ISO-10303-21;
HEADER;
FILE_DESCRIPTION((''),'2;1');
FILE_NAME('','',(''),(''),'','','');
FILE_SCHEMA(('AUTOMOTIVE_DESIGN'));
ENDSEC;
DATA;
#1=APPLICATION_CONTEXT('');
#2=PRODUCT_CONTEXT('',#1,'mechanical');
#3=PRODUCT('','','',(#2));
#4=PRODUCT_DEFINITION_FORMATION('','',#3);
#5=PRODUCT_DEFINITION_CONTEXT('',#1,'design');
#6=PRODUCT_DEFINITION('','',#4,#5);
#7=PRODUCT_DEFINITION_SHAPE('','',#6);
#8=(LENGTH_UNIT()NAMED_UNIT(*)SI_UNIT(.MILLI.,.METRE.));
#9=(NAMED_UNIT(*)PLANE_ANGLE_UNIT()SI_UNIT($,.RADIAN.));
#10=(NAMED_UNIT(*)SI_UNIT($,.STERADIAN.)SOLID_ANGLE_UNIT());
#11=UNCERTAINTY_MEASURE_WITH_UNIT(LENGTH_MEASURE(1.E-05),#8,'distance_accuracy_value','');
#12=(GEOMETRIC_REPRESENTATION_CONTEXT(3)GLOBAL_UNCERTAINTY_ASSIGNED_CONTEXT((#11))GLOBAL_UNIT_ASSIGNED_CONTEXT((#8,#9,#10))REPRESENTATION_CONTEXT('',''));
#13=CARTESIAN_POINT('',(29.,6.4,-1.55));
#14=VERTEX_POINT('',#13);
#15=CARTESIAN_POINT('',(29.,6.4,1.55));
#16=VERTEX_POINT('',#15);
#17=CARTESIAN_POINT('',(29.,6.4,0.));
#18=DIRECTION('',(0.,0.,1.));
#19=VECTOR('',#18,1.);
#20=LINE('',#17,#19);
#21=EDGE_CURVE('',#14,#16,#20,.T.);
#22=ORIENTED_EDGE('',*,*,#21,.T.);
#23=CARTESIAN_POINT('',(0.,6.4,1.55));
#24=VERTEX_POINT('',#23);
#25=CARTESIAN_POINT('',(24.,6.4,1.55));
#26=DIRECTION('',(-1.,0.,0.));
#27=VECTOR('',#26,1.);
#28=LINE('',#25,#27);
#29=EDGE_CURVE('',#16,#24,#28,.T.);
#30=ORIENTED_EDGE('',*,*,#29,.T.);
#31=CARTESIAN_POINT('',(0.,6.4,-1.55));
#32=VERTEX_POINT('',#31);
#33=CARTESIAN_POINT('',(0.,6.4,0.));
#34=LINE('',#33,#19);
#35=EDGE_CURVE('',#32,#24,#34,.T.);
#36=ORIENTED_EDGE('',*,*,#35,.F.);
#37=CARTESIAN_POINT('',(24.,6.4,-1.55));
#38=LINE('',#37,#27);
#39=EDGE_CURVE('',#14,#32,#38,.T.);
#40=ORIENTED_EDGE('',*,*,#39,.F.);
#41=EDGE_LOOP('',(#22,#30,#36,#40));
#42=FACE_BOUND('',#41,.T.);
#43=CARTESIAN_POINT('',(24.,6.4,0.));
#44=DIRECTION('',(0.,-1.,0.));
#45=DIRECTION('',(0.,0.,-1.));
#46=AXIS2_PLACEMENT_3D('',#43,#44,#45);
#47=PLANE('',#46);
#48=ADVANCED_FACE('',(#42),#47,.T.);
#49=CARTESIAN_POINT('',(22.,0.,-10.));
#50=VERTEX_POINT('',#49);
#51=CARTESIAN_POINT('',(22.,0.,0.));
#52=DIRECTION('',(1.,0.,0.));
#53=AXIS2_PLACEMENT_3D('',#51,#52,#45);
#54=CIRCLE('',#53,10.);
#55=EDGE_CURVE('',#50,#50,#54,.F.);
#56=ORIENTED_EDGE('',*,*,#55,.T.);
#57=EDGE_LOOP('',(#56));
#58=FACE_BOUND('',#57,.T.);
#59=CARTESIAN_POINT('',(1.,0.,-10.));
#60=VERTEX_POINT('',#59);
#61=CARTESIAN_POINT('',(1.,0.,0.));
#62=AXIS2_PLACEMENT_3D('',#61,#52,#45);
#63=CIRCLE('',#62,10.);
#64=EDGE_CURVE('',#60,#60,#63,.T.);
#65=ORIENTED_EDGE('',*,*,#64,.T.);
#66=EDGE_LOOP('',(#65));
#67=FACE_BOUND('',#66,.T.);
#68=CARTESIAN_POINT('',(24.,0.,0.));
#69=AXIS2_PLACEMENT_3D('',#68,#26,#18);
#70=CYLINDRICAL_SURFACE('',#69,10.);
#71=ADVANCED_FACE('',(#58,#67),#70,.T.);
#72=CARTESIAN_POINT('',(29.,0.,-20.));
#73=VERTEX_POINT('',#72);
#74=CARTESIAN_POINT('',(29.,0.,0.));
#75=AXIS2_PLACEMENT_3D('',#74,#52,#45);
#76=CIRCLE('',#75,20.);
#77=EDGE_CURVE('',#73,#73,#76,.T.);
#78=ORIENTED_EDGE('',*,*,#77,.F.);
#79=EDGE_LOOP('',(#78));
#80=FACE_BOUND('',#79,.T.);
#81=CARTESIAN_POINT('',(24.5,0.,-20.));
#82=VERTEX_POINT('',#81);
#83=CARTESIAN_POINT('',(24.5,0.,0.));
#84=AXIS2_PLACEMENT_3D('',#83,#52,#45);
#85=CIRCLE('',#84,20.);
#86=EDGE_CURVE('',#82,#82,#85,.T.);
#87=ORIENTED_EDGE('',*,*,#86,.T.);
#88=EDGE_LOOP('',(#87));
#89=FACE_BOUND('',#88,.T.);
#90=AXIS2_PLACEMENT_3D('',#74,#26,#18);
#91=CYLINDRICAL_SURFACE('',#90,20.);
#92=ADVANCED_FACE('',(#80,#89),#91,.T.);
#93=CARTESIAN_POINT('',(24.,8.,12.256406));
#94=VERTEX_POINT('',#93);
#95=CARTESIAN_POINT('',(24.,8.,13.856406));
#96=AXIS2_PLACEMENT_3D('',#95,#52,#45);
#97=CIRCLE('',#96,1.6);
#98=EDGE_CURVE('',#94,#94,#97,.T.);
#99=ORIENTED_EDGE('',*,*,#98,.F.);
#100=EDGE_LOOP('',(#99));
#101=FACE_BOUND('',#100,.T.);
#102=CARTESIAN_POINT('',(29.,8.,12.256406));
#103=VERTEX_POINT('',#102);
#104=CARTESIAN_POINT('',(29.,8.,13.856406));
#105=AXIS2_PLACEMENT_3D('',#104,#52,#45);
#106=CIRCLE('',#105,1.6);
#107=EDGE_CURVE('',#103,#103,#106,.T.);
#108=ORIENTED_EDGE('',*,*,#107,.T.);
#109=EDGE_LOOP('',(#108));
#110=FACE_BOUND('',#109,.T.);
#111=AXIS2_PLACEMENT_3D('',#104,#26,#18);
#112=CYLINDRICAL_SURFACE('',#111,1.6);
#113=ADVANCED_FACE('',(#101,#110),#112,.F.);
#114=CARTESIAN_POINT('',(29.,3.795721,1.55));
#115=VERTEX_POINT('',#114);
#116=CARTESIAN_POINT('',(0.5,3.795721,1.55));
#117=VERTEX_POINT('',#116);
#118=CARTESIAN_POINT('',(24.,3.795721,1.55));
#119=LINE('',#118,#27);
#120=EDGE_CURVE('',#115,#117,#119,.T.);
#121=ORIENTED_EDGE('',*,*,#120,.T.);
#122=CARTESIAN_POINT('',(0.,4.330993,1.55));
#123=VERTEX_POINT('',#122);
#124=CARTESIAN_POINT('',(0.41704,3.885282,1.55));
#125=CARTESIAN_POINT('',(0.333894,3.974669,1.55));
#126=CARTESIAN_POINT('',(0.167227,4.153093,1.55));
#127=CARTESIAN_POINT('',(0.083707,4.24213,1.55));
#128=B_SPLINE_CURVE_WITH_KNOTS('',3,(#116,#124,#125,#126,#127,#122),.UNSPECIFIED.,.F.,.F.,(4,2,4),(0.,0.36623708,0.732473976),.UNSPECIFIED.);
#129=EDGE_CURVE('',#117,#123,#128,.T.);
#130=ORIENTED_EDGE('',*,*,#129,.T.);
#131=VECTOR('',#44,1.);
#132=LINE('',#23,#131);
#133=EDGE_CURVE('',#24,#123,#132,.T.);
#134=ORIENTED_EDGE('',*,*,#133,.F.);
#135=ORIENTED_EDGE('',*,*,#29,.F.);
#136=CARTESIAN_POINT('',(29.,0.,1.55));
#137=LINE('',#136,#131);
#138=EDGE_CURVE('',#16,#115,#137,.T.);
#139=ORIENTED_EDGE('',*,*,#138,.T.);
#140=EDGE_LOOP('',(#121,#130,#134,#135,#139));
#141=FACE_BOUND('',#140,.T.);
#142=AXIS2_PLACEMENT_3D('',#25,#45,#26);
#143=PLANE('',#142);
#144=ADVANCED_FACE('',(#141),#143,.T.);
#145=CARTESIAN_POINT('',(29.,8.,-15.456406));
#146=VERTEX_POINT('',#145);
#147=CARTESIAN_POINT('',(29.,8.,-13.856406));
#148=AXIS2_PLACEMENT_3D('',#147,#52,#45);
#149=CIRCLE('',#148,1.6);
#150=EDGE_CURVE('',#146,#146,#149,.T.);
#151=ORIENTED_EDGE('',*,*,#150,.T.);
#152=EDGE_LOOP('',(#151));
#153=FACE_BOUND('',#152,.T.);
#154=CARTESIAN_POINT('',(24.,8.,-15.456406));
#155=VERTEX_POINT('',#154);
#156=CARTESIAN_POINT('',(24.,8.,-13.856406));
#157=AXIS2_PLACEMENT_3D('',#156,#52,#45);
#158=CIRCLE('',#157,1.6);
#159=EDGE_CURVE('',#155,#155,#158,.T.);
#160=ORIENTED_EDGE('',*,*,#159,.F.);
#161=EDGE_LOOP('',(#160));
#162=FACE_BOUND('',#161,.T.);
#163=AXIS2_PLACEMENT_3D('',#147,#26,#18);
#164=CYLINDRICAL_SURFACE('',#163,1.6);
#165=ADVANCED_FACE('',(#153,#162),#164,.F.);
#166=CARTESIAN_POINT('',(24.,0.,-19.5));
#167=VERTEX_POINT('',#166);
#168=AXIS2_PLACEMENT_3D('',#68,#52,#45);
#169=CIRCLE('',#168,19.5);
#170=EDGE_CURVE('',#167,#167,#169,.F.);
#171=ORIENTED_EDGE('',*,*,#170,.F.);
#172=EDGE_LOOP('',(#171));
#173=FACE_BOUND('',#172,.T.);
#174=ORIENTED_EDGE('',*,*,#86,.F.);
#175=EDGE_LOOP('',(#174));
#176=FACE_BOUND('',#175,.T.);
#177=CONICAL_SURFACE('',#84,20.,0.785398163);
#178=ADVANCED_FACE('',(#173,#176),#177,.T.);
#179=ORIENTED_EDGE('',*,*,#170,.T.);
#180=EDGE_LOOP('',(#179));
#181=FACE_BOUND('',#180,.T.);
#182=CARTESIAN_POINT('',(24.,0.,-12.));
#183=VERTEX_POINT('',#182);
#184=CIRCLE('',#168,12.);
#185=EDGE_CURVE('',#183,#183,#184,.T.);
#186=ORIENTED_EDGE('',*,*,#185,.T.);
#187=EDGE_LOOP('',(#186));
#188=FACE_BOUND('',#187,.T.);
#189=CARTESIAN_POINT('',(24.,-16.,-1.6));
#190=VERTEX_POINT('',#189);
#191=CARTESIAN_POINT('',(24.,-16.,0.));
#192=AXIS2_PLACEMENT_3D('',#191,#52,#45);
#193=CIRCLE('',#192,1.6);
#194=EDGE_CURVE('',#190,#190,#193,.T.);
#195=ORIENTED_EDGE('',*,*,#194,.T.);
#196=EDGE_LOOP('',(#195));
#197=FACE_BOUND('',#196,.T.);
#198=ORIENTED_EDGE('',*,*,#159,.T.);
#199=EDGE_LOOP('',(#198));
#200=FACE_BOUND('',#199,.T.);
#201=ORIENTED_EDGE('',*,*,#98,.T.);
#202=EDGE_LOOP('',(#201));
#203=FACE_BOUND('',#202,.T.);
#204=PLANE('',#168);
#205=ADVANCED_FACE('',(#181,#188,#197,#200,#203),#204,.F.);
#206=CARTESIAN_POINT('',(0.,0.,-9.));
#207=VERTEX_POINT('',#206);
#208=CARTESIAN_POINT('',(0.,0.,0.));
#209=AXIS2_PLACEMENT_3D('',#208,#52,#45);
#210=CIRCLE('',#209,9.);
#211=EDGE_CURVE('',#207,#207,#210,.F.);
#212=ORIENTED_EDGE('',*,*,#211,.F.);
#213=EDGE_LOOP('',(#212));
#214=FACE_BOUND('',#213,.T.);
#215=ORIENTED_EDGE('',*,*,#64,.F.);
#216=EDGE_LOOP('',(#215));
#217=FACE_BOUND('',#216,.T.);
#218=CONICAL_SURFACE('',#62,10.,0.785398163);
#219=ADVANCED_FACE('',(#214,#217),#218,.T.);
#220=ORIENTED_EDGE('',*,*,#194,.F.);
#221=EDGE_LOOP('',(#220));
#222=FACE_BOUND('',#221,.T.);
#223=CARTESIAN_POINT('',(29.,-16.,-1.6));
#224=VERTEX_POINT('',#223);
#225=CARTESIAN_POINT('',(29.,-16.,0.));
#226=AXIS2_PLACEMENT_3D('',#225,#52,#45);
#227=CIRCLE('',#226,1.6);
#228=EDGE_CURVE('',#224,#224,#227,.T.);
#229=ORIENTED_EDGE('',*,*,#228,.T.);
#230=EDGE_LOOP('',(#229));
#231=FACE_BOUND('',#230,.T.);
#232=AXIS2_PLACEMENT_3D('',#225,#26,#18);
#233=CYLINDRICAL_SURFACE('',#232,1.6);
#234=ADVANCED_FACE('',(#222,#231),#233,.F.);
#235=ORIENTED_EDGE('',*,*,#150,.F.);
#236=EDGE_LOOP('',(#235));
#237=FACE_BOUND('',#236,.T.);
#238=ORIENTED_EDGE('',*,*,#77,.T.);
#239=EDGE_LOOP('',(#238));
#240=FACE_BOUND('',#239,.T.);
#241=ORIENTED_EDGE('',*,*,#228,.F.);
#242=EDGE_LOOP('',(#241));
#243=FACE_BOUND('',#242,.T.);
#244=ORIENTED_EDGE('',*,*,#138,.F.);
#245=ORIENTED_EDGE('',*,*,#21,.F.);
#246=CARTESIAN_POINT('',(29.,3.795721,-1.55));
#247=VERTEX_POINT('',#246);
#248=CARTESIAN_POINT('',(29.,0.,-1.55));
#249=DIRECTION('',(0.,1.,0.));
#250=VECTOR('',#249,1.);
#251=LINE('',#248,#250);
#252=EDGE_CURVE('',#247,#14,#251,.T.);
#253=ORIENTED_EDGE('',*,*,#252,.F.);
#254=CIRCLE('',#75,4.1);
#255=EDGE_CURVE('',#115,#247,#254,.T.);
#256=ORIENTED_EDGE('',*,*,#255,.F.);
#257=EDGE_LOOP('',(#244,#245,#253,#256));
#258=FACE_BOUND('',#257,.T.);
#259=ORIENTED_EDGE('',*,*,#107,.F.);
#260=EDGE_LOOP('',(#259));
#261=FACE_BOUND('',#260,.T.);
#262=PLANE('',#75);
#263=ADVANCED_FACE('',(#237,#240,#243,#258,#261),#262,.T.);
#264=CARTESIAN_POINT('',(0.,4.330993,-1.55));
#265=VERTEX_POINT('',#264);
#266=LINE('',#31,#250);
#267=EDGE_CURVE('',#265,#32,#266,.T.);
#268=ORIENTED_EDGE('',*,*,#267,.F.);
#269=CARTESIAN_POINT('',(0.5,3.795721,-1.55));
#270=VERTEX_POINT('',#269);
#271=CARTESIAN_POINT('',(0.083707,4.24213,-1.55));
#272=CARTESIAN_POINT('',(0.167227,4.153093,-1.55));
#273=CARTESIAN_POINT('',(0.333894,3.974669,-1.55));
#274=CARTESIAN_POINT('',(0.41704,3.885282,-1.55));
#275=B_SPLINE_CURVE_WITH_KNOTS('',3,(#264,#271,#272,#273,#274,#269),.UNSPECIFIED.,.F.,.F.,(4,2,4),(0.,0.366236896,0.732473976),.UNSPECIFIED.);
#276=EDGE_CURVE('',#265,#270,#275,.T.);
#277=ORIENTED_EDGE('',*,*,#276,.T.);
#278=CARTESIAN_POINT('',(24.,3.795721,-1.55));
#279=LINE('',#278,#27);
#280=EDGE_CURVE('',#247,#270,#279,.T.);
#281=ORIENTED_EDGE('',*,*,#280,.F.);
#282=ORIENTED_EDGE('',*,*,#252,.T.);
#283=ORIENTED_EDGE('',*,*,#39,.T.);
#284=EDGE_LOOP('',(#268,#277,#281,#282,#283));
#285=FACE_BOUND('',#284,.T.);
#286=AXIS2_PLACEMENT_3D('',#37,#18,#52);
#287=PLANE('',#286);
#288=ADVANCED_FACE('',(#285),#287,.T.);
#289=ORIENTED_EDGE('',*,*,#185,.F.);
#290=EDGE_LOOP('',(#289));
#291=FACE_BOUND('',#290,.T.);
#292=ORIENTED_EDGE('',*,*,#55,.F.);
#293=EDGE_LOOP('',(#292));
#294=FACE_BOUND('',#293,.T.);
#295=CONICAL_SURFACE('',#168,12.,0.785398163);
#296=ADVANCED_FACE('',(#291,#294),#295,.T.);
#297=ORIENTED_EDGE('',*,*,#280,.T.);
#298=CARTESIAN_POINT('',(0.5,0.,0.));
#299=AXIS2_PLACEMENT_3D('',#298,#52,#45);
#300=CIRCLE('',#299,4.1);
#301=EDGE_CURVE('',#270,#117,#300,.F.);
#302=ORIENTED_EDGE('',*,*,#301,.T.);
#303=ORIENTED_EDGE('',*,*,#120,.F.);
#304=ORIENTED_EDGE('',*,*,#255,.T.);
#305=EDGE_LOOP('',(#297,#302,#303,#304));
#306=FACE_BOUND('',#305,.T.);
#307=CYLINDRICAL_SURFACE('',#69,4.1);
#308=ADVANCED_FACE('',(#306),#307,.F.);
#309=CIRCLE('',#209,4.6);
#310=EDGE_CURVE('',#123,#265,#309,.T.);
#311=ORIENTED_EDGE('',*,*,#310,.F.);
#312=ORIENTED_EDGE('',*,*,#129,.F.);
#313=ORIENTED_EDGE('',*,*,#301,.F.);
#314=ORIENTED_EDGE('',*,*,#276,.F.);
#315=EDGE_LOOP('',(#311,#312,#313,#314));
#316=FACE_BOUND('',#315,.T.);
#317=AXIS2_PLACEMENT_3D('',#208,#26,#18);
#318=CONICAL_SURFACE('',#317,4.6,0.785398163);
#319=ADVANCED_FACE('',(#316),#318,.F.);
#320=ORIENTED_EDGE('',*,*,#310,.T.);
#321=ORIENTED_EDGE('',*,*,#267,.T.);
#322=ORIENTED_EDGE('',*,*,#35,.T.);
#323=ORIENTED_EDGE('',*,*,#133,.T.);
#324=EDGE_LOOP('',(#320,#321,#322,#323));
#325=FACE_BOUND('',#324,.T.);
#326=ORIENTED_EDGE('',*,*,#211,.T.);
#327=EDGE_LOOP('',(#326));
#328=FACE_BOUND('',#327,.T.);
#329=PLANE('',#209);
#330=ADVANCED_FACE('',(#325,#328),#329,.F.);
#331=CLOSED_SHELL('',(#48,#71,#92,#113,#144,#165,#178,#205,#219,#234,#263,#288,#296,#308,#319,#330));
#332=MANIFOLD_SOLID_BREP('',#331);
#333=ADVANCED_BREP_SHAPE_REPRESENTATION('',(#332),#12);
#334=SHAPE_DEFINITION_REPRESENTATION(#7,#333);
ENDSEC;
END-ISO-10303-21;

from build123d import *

# Parameters (mm, degrees)
SKETCH_1_R          = 10
EXTRUDE_1_DEPTH     = 24
SKETCH_2_R          = 20
SKETCH_2_R_2        = 1.6
EXTRUDE_2_DEPTH     = 5
CHAMFER_1_SIZE      = 0.5
CHAMFER_2_SIZE      = 1
CHAMFER_3_SIZE      = 0.5
CHAMFER_4_SIZE      = 2
CUT_EXTRUDE_1_DEPTH = 10


with BuildPart() as part:
    # 草图1 → 凸台-拉伸1 (new body)
    with BuildSketch(Plane(origin=(0, 0, 0), x_dir=(0, 0, -1), z_dir=(1, 0, 0))):
        Circle(SKETCH_1_R)
        with BuildLine():
            Line((0, 6.4), (-1.55, 6.4))
            Line((-1.55, 6.4), (-1.55, 3.795721275))
            ThreePointArc((-1.55, 3.795721275), (0, -4.1), (1.55, 3.795721275))
            Line((1.55, 3.795721275), (1.55, 6.4))
            Line((1.55, 6.4), (0, 6.4))
        make_face(mode=Mode.SUBTRACT)
    extrude(amount=EXTRUDE_1_DEPTH)

    # 草图2 → 凸台-拉伸2 (add)
    with BuildSketch(Plane(origin=(24, 0, 0), x_dir=(0, 0, -1), z_dir=(1, 0, 0))):
        Circle(SKETCH_2_R)
        with Locations((-13.856406461, 8)):
            Circle(SKETCH_2_R_2, mode=Mode.SUBTRACT)
        with Locations((13.856406461, 8)):
            Circle(SKETCH_2_R_2, mode=Mode.SUBTRACT)
        with Locations((0, -16)):
            Circle(SKETCH_2_R_2, mode=Mode.SUBTRACT)
    extrude(amount=EXTRUDE_2_DEPTH)

    # 倒角1
    chamfer_1_edges = [part.edges().sort_by_distance(p)[0] for p in [
        (0, -4.1, 0),
    ]]
    chamfer(chamfer_1_edges, length=CHAMFER_1_SIZE)

    # 倒角2
    chamfer_2_edges = [part.edges().sort_by_distance(p)[0] for p in [
        (0, 0, 10),
    ]]
    chamfer(chamfer_2_edges, length=CHAMFER_2_SIZE)

    # 倒角3
    chamfer_3_edges = [part.edges().sort_by_distance(p)[0] for p in [
        (24, 0, 20),
    ]]
    chamfer(chamfer_3_edges, length=CHAMFER_3_SIZE)

    # 倒角4
    chamfer_4_edges = [part.edges().sort_by_distance(p)[0] for p in [
        (24, 0, 10),
    ]]
    chamfer(chamfer_4_edges, length=CHAMFER_4_SIZE)

    # 草图3 → 切除-拉伸1 (cut)
    with BuildSketch(Plane.ZY.offset(-24)):
        with BuildLine():
            Line((0, 6.4), (-1.55, 6.4))
            Line((-1.55, 6.4), (-1.55, 3.795721275))
            ThreePointArc((-1.55, 3.795721275), (0, -4.1), (1.55, 3.795721275))
            Line((1.55, 3.795721275), (1.55, 6.4))
            Line((1.55, 6.4), (0, 6.4))
        make_face()
    extrude(amount=-CUT_EXTRUDE_1_DEPTH, mode=Mode.SUBTRACT)


solid = part.part
